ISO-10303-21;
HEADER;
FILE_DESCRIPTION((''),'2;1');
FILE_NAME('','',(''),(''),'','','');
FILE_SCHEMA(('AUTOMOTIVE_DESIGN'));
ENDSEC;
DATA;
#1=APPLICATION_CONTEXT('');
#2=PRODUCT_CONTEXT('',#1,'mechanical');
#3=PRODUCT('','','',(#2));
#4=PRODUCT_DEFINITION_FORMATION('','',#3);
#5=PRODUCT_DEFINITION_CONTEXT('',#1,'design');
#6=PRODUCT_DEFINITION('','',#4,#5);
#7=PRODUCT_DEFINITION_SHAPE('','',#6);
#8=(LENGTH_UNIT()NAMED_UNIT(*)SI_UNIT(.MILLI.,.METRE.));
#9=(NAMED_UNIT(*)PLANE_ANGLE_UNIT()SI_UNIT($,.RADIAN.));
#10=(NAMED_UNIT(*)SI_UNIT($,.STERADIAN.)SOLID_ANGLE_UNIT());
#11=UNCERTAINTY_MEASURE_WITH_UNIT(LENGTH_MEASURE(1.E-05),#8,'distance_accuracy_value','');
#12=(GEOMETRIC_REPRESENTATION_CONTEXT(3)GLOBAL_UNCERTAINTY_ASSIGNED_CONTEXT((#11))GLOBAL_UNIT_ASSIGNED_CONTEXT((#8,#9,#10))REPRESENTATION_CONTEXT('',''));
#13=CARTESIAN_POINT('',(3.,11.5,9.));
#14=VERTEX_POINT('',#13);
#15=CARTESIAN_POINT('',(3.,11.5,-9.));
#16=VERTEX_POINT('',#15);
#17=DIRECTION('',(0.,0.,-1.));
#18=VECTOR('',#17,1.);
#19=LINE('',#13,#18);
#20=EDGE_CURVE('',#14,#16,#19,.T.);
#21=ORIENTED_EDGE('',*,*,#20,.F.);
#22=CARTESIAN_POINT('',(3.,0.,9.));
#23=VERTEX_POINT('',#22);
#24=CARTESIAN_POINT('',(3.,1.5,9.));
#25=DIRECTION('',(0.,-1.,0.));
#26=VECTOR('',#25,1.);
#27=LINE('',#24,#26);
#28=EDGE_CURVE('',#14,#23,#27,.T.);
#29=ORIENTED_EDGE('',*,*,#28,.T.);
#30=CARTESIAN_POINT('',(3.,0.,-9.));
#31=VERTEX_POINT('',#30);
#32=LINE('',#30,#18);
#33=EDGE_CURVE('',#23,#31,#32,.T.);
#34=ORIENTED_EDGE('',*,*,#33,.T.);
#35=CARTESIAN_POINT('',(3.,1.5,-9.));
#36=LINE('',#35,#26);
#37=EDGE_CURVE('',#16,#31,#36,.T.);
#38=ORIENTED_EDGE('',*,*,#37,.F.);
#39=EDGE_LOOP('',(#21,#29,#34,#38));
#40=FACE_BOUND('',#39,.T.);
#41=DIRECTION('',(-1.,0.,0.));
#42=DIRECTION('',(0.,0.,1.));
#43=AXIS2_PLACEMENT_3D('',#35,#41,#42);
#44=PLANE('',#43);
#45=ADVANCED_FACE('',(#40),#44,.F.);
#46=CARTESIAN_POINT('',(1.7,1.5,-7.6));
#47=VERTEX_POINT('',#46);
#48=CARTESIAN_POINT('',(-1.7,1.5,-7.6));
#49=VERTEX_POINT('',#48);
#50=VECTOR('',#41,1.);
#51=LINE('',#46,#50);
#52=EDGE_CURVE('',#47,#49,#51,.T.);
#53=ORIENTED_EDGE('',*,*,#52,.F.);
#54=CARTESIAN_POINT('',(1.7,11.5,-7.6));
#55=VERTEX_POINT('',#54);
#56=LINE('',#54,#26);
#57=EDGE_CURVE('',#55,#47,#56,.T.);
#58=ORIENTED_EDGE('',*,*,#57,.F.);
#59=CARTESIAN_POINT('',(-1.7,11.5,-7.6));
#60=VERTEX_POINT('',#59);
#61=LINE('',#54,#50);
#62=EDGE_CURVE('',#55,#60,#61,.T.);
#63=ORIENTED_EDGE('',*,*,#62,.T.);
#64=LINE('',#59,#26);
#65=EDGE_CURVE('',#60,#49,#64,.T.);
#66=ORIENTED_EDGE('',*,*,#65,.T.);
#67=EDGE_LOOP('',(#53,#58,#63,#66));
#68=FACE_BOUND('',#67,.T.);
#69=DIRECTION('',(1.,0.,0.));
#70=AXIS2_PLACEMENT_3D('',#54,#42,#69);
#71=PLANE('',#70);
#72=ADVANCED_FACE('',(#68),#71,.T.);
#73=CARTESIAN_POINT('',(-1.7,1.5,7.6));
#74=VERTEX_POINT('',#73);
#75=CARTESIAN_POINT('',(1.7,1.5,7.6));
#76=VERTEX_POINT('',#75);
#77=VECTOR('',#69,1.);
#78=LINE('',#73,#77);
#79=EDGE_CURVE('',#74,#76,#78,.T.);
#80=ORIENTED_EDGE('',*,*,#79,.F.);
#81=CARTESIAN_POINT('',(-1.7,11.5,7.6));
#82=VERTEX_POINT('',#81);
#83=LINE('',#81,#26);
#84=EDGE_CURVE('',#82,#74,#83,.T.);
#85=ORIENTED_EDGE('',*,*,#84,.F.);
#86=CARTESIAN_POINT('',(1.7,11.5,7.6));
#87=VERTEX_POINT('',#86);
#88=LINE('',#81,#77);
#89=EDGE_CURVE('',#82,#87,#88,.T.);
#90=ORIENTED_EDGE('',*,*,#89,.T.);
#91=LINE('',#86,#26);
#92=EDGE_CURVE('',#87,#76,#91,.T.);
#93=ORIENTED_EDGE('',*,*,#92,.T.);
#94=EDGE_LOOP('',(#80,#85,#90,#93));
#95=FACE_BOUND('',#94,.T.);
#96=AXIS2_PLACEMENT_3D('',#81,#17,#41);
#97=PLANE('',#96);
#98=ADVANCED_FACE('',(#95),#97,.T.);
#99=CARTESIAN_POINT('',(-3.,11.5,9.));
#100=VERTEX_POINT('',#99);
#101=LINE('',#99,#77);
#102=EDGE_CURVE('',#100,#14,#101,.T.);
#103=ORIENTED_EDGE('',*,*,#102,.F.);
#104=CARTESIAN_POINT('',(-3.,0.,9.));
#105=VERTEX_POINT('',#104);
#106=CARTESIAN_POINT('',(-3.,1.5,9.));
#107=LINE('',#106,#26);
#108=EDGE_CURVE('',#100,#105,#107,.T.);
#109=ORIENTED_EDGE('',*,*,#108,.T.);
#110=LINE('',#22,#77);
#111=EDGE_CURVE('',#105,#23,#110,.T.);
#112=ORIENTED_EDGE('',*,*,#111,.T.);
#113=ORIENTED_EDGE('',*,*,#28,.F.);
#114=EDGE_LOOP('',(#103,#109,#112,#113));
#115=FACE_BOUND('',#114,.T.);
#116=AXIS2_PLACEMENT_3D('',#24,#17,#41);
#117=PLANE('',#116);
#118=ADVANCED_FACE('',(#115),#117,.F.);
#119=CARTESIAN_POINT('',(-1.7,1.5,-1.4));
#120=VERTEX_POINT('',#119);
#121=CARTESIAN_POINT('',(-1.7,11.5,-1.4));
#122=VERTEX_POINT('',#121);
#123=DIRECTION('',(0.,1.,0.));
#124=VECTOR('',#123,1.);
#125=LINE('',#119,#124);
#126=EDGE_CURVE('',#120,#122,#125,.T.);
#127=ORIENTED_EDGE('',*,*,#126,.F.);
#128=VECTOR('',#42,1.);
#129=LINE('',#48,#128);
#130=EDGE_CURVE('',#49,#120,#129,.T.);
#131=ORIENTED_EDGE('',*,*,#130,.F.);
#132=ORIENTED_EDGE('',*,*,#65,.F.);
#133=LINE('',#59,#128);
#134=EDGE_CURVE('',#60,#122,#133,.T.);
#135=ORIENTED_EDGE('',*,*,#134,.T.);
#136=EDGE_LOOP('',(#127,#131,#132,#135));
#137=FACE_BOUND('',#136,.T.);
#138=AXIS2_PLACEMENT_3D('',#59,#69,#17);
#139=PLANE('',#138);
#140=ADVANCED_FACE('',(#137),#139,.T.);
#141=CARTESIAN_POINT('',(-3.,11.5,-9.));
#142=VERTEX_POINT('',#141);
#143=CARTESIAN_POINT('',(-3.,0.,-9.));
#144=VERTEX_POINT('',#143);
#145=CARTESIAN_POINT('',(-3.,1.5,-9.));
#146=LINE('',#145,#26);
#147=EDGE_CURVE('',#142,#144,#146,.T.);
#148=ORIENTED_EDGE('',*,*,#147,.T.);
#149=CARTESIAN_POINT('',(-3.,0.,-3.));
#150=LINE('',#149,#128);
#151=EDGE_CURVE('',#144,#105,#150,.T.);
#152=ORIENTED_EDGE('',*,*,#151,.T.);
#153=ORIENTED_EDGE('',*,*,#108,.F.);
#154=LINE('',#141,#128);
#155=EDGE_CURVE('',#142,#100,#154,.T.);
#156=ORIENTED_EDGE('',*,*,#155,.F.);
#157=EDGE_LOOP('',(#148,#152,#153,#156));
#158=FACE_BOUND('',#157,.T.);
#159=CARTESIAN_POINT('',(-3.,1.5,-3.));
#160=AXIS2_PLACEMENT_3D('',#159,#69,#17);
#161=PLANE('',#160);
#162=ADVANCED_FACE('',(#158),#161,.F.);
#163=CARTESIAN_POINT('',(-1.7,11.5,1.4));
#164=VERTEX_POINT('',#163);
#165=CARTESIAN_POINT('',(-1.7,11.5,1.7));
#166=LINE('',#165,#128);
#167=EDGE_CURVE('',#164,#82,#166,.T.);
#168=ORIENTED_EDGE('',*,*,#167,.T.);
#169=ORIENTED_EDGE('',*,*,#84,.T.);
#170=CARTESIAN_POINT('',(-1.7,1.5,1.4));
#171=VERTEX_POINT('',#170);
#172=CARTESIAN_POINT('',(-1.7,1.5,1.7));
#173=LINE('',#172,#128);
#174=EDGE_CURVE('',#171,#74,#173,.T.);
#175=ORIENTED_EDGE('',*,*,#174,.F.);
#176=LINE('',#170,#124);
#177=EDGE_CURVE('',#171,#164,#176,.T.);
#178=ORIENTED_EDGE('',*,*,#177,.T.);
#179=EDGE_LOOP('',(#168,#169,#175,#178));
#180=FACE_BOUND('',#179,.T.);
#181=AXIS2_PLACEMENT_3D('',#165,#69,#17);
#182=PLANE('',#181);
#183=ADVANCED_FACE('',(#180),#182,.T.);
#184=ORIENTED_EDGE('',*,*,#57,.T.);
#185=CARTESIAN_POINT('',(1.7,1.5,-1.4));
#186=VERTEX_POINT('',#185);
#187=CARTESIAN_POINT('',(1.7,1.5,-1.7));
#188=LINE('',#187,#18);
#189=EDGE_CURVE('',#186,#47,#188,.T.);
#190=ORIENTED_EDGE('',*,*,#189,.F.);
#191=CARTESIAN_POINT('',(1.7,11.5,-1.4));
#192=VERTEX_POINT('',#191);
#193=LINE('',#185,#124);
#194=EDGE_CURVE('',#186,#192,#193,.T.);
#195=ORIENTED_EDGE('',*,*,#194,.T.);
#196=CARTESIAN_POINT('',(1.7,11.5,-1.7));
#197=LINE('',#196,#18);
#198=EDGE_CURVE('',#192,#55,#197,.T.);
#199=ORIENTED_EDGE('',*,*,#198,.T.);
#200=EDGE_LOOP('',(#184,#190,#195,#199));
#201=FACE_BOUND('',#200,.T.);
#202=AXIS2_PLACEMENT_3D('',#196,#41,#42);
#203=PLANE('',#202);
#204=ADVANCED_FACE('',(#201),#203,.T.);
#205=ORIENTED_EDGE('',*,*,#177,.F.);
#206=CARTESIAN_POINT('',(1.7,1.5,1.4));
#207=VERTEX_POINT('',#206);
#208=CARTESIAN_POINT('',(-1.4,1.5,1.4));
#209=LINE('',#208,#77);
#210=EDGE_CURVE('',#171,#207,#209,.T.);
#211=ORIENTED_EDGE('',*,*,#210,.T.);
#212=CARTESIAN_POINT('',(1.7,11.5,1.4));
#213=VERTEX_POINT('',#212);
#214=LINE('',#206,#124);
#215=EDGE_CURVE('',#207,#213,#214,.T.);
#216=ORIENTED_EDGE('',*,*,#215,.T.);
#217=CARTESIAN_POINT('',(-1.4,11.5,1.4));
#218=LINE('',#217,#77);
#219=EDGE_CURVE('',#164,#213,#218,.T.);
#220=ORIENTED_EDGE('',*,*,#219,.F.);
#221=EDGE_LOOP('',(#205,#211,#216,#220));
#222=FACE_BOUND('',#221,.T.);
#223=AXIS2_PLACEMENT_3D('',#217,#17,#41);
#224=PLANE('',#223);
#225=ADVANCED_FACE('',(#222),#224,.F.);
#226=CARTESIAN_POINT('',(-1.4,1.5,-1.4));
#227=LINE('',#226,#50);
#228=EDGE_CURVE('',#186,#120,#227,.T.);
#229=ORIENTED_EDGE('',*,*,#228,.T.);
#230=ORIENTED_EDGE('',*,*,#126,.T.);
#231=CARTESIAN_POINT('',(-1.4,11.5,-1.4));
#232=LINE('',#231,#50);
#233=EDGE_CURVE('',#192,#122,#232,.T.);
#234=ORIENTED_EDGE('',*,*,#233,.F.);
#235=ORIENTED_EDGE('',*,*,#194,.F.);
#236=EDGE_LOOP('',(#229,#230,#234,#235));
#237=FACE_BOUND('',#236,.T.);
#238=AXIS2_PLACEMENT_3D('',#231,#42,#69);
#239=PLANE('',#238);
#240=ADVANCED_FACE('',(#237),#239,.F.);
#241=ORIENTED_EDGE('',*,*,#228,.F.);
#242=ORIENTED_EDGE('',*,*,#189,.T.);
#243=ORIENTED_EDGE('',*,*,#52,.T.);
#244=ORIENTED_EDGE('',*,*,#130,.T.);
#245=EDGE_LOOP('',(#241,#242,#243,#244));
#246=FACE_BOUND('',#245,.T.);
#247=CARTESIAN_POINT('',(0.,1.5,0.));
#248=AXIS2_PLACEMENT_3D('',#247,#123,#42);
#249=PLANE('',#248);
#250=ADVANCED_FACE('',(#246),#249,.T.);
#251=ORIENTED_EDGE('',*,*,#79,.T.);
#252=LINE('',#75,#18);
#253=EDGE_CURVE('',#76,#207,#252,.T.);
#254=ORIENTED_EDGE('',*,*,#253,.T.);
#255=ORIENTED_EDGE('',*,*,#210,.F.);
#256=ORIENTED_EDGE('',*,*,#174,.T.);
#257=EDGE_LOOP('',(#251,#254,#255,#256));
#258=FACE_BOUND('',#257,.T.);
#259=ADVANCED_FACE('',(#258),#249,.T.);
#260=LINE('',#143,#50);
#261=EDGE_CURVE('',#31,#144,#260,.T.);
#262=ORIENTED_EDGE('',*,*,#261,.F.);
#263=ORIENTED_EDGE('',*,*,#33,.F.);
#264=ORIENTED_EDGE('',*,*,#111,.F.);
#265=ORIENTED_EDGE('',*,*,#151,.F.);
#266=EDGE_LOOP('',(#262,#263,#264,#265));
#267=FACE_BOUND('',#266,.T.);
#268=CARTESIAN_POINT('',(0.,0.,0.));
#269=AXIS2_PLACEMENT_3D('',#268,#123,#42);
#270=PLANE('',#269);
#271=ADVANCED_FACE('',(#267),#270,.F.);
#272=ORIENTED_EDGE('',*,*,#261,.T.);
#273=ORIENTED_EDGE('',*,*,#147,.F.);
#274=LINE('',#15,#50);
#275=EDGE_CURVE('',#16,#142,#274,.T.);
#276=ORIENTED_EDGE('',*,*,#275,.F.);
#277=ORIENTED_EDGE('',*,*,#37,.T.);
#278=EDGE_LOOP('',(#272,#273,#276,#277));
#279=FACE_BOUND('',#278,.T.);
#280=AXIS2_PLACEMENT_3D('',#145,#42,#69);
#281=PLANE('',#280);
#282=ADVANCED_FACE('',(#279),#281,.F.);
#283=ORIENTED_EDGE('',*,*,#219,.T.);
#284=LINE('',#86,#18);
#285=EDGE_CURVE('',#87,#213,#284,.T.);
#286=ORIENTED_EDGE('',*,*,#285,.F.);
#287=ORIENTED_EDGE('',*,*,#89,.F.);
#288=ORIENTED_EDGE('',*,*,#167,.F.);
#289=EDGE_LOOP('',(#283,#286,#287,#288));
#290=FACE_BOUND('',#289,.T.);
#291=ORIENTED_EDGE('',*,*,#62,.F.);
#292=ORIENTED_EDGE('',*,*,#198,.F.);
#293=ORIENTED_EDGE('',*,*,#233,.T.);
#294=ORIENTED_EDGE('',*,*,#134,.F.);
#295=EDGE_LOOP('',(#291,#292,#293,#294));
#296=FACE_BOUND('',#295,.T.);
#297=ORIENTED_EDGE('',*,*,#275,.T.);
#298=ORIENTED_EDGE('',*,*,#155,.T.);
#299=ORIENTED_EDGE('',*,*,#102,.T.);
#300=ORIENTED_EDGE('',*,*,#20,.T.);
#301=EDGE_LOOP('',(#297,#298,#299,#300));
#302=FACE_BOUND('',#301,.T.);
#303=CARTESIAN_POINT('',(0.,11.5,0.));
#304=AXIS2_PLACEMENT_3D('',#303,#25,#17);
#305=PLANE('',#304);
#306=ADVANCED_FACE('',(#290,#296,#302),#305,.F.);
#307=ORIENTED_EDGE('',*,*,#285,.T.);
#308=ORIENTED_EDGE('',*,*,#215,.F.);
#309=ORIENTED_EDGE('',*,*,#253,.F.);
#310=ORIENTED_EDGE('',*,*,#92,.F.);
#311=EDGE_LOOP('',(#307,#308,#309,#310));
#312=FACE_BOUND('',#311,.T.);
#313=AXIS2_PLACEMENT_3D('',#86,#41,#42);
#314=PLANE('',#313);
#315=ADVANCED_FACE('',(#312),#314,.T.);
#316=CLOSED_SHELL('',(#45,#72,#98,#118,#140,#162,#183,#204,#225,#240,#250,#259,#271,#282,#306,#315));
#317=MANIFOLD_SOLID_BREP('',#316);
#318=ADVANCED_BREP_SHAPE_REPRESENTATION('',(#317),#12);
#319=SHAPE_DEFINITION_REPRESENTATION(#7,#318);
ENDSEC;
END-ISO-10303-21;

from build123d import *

# Parameters (mm, degrees)
BOSS_EXTRUDE1_DEPTH = 1.5
BOSS_EXTRUDE5_DEPTH = 10
SKETCH2_W           = 2.8
SKETCH2_H           = 2.8
BOSS_EXTRUDE2_DEPTH = 10
SKETCH4_W           = 6
SKETCH4_H           = 6
CUT_EXTRUDE1_DEPTH  = 12.5
BOSS_EXTRUDE6_DEPTH = 11.5
SKETCH8_W           = 6
SKETCH8_H           = 6
CUT_EXTRUDE3_DEPTH  = 12.5
BOSS_EXTRUDE8_DEPTH = 10


with BuildPart() as part:
    # Sketch1 → Boss-Extrude1 (new body)
    with BuildSketch(Plane(origin=(0, 0, 0), x_dir=(1, 0, 0), z_dir=(0, 1, 0))):
        Polygon((-3, 3), (-3, 9), (3, 9), (3, 3), (9, 3), (9, -3), (3, -3), (3, -9), (-3, -9), (-3, -3), (-9, -3), (-9, 3), align=None)
    extrude(amount=BOSS_EXTRUDE1_DEPTH)

    # Sketch3 → Boss-Extrude5 (add)
    with BuildSketch(Plane(origin=(0, 1.5, 0), x_dir=(1, 0, 0), z_dir=(0, 1, 0))):
        Polygon((-3, 3), (-9, 3), (-9, -3), (-3, -3), (-3, -9), (3, -9), (3, -3), (9, -3), (9, 3), (3, 3), (3, 9), (-3, 9), align=None)
        Polygon((-1.7, 1.7), (-7.6, 1.7), (-7.6, -1.7), (-1.7, -1.7), (-1.7, -7.6), (1.7, -7.6), (1.7, -1.7), (7.6, -1.7), (7.6, 1.7), (1.7, 1.7), (1.7, 7.6), (-1.7, 7.6), align=None, mode=Mode.SUBTRACT)
    extrude(amount=BOSS_EXTRUDE5_DEPTH)

    # Sketch2 → Boss-Extrude2 (add)
    with BuildSketch(Plane(origin=(0, 1.5, 0), x_dir=(1, 0, 0), z_dir=(0, 1, 0))):
        Rectangle(SKETCH2_W, SKETCH2_H)
    extrude(amount=BOSS_EXTRUDE2_DEPTH)

    # Sketch4 → Cut-Extrude1 (cut, through all)
    with BuildSketch(Plane(origin=(0, 11.5, 0), x_dir=(1, 0, 0), z_dir=(0, 1, 0))):
        with Locations((-6, 0)):
            Rectangle(SKETCH4_W, SKETCH4_H)
    extrude(amount=-CUT_EXTRUDE1_DEPTH, mode=Mode.SUBTRACT)

    # Sketch5 → Boss-Extrude6 (add)
    with BuildSketch(Plane(origin=(0, 11.5, 0), x_dir=(1, 0, 0), z_dir=(0, 1, 0))):
        Polygon((-3, 1.7), (-1.7, 1.7), (-1.7, 1.4), (-1.4, 1.4), (-1.4, -1.4), (-1.7, -1.4), (-1.7, -1.7), (-3, -1.7), align=None)
    extrude(amount=-BOSS_EXTRUDE6_DEPTH)

    # Sketch8 → Cut-Extrude3 (cut, through all)
    with BuildSketch(Plane(origin=(0, 11.5, 0), x_dir=(1, 0, 0), z_dir=(0, 1, 0))):
        with Locations((6, 0)):
            Rectangle(SKETCH8_W, SKETCH8_H)
    extrude(amount=-CUT_EXTRUDE3_DEPTH, mode=Mode.SUBTRACT)

    # Sketch9 → Boss-Extrude8 (add)
    with BuildSketch(Plane(origin=(0, 11.5, 0), x_dir=(1, 0, 0), z_dir=(0, 1, 0))):
        Polygon((1.4, -1.4), (1.4, 1.4), (1.7, 1.4), (1.7, 1.7), (3, 1.7), (3, -1.7), (1.7, -1.7), (1.7, -1.4), align=None)
    extrude(amount=-BOSS_EXTRUDE8_DEPTH)


solid = part.part
